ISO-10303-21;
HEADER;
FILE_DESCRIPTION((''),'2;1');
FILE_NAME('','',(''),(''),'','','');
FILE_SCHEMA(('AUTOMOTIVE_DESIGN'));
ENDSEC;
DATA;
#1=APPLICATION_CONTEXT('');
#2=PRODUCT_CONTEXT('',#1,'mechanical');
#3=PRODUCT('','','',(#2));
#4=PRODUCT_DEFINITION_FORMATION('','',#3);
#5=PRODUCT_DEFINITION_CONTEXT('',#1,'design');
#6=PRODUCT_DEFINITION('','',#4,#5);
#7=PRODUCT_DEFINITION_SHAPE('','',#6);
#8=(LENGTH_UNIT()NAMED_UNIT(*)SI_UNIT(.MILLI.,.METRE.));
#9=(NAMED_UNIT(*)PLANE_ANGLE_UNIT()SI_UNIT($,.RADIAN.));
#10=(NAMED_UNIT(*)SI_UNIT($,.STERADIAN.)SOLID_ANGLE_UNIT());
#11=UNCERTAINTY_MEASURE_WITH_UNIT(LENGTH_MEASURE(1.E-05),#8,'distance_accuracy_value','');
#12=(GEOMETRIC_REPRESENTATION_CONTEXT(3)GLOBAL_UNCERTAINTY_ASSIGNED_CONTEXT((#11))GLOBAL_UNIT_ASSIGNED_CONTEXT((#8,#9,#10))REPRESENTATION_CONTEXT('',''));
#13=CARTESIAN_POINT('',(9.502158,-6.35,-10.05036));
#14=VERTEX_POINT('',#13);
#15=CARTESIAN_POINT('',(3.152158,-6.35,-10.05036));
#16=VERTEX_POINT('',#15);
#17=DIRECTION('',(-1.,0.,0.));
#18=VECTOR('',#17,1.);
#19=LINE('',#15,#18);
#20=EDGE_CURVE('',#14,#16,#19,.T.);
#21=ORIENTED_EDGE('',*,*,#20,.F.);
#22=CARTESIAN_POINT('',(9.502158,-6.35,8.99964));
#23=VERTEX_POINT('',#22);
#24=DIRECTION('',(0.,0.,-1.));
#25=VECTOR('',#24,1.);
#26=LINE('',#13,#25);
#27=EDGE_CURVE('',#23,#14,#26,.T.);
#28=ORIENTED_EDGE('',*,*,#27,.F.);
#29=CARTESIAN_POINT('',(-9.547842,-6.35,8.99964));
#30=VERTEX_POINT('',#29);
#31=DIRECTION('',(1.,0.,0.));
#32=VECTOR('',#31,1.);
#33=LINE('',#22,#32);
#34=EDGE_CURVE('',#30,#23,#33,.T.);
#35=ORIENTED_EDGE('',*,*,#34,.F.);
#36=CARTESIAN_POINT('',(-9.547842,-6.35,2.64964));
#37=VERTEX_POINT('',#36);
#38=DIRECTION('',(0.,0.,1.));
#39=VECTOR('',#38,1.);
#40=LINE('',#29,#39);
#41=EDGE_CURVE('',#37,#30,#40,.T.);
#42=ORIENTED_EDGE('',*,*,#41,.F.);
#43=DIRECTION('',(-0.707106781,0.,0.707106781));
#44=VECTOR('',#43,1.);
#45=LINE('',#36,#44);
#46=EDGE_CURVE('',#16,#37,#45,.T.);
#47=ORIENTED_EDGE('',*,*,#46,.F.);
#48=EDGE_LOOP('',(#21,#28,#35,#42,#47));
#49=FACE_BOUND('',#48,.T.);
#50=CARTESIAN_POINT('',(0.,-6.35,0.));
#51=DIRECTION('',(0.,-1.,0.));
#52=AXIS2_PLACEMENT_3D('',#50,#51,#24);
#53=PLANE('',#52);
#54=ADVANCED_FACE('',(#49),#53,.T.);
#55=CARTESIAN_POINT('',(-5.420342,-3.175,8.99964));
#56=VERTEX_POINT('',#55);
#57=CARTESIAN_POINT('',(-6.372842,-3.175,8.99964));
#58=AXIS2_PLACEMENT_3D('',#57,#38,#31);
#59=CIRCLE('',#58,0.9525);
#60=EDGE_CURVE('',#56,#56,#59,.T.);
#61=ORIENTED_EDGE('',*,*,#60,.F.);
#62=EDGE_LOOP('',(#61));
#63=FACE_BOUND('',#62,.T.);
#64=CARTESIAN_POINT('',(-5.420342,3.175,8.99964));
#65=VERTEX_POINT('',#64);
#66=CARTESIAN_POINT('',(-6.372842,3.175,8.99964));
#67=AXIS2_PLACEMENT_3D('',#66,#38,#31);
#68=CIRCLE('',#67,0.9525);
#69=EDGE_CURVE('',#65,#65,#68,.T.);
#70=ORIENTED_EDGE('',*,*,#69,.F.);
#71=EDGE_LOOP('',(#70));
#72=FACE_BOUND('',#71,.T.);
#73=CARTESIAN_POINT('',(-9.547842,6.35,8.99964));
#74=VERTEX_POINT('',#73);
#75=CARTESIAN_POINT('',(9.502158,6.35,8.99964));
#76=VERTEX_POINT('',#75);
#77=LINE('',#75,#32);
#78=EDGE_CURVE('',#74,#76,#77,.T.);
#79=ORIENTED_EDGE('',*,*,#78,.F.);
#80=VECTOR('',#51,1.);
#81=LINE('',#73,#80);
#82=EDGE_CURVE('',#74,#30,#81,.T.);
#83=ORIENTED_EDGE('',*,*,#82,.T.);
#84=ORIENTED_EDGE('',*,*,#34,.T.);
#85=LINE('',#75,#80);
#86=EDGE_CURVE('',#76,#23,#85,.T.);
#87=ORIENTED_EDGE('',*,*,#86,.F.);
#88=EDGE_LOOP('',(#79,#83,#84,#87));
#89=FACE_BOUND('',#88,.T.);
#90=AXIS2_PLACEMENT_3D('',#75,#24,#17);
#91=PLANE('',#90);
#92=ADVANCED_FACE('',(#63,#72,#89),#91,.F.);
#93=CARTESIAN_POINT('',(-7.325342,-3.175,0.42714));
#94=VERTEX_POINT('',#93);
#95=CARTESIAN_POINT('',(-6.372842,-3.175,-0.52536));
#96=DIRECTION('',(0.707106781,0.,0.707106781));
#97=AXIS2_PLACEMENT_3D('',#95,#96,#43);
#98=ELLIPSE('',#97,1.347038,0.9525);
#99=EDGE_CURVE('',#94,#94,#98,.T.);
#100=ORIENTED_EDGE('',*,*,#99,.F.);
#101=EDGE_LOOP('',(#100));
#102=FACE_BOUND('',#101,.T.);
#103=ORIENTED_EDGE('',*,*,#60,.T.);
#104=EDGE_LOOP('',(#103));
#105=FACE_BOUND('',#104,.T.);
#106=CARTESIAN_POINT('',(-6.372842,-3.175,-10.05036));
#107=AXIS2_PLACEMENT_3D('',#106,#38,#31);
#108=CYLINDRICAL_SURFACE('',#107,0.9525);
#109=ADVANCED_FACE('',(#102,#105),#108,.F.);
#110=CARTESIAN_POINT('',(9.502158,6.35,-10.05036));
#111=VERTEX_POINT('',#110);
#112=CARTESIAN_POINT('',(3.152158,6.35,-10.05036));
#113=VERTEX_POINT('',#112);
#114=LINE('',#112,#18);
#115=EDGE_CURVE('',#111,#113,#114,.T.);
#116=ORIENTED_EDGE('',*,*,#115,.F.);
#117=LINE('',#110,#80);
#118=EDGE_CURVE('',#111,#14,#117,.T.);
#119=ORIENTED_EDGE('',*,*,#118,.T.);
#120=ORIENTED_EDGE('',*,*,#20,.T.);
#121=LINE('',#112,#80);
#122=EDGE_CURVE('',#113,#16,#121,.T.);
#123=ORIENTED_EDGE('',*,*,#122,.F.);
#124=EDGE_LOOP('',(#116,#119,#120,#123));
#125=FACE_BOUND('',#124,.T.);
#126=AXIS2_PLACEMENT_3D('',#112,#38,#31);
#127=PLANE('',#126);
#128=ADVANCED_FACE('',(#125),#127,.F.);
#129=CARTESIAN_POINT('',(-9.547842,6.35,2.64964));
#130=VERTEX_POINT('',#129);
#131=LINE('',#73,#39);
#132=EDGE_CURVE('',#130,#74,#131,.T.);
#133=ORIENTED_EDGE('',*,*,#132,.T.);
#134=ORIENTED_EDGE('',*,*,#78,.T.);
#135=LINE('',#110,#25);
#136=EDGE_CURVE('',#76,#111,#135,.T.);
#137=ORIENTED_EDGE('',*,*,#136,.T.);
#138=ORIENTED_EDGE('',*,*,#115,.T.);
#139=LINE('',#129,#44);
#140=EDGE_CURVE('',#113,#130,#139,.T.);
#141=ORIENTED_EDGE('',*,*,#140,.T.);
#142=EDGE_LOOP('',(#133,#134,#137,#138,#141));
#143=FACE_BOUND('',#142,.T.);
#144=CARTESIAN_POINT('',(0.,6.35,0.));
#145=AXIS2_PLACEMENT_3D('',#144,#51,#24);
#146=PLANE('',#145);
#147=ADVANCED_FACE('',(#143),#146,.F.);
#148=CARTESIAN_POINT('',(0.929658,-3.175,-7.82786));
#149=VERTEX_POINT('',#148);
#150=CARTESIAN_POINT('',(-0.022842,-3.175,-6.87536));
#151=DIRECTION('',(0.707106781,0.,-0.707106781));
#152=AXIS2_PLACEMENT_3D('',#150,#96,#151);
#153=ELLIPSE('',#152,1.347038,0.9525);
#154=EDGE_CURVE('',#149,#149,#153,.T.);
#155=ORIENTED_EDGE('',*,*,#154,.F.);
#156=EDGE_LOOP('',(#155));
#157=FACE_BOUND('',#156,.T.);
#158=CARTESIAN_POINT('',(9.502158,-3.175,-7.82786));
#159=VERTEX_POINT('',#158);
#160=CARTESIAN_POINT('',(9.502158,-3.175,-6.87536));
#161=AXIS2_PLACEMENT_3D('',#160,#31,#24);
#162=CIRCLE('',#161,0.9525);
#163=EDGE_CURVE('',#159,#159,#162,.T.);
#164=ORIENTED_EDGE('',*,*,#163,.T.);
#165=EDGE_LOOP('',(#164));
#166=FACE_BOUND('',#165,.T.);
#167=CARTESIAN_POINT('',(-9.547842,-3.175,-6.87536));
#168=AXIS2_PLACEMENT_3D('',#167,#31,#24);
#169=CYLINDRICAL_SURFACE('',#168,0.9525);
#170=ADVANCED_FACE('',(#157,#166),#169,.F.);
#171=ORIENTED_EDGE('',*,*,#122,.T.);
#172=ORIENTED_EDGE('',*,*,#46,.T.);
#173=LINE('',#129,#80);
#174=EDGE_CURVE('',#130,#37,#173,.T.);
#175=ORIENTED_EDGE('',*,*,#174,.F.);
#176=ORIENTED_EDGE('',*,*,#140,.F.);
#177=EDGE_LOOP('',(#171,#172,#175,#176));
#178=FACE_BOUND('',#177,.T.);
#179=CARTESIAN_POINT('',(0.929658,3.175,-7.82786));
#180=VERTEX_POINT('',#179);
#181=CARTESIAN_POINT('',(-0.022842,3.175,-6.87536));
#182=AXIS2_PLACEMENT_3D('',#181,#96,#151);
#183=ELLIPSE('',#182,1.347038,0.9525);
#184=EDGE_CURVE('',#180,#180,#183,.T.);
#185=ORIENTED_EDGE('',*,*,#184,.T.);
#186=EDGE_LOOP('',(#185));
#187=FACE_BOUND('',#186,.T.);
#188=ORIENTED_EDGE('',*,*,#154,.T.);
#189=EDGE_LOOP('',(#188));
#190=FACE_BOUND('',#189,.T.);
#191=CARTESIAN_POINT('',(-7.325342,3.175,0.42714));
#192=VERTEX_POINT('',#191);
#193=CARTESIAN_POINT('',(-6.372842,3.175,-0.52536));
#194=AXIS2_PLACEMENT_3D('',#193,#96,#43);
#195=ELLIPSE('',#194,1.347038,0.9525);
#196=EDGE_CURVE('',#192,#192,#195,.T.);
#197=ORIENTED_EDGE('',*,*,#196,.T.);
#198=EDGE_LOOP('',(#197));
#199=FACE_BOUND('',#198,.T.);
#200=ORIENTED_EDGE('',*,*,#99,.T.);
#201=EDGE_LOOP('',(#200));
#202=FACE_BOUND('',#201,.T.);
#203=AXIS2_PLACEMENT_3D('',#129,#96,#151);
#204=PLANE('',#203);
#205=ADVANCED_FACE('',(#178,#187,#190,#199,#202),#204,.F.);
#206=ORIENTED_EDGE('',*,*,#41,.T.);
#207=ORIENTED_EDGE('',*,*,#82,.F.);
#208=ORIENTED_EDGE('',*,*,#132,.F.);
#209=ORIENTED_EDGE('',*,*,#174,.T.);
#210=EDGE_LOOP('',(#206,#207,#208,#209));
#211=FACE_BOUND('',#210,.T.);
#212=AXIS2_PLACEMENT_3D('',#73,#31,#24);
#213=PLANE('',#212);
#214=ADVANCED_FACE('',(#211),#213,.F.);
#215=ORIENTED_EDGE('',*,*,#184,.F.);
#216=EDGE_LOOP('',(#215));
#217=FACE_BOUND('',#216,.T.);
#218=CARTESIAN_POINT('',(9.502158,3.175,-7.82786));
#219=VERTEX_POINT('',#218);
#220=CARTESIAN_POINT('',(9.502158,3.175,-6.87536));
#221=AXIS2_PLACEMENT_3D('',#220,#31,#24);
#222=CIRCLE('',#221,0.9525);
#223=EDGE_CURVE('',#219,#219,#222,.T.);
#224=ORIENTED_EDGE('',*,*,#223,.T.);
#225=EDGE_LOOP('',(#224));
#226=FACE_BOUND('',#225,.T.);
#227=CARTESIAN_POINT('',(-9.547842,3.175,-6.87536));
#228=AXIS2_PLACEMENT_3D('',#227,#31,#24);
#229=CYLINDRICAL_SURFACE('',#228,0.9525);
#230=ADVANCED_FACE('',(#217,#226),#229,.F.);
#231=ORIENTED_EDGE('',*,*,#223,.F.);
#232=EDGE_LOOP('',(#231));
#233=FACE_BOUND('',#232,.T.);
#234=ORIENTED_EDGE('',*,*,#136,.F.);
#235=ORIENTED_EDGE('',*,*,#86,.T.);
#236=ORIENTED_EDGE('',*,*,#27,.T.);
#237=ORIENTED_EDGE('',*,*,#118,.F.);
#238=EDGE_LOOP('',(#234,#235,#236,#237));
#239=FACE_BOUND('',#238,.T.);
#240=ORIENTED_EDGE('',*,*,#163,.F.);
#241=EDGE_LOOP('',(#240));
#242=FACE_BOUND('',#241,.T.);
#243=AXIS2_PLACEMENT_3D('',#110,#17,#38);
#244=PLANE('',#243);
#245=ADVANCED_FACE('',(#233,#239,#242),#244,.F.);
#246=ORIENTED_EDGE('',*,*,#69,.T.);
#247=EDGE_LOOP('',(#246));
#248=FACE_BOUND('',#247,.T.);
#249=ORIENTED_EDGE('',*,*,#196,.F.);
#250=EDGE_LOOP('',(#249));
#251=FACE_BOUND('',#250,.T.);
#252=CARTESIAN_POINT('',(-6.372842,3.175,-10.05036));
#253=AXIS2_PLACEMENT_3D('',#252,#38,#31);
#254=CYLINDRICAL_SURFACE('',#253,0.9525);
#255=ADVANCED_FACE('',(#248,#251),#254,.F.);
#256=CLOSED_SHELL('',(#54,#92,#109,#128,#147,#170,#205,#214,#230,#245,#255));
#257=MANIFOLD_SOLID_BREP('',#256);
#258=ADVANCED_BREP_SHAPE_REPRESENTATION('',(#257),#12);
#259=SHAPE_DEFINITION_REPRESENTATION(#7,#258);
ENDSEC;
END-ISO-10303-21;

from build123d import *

# Parameters (mm, degrees)
BOSS_EXTRUDE1_DEPTH = 6.35
SKETCH2_R           = 0.9525
CUT_EXTRUDE1_DEPTH  = 23.455171572
SKETCH3_R           = 0.9525
CUT_EXTRUDE2_DEPTH  = 23.234798889


with BuildPart() as part:
    # Sketch1 → Boss-Extrude1 (new, symmetric)
    with BuildSketch(Plane(origin=(0, 0, 0), x_dir=(1, 0, 0), z_dir=(0, 1, 0))):
        Polygon((-9.547841727, -2.649640288), (3.152158273, 10.050359712), (9.502158273, 10.050359712), (9.502158273, -8.999640288), (-9.547841727, -8.999640288), align=None)
    extrude(amount=BOSS_EXTRUDE1_DEPTH, both=True)

    # Sketch2 → Cut-Extrude1 (cut, through all)
    with BuildSketch(Plane(origin=(9.502158273, 0, 0), x_dir=(0, 0, -1), z_dir=(1, 0, 0))):
        with Locations((6.875359712, 3.175)):
            Circle(SKETCH2_R)
        with Locations((6.875359712, -3.175)):
            Circle(SKETCH2_R)
    extrude(amount=-CUT_EXTRUDE1_DEPTH, mode=Mode.SUBTRACT)

    # Sketch3 → Cut-Extrude2 (cut, through all)
    with BuildSketch(Plane.XY.offset(8.999640288)):
        with Locations((-6.372841727, 3.175)):
            Circle(SKETCH3_R)
        with Locations((-6.372841727, -3.175)):
            Circle(SKETCH3_R)
    extrude(amount=-CUT_EXTRUDE2_DEPTH, mode=Mode.SUBTRACT)


solid = part.part
